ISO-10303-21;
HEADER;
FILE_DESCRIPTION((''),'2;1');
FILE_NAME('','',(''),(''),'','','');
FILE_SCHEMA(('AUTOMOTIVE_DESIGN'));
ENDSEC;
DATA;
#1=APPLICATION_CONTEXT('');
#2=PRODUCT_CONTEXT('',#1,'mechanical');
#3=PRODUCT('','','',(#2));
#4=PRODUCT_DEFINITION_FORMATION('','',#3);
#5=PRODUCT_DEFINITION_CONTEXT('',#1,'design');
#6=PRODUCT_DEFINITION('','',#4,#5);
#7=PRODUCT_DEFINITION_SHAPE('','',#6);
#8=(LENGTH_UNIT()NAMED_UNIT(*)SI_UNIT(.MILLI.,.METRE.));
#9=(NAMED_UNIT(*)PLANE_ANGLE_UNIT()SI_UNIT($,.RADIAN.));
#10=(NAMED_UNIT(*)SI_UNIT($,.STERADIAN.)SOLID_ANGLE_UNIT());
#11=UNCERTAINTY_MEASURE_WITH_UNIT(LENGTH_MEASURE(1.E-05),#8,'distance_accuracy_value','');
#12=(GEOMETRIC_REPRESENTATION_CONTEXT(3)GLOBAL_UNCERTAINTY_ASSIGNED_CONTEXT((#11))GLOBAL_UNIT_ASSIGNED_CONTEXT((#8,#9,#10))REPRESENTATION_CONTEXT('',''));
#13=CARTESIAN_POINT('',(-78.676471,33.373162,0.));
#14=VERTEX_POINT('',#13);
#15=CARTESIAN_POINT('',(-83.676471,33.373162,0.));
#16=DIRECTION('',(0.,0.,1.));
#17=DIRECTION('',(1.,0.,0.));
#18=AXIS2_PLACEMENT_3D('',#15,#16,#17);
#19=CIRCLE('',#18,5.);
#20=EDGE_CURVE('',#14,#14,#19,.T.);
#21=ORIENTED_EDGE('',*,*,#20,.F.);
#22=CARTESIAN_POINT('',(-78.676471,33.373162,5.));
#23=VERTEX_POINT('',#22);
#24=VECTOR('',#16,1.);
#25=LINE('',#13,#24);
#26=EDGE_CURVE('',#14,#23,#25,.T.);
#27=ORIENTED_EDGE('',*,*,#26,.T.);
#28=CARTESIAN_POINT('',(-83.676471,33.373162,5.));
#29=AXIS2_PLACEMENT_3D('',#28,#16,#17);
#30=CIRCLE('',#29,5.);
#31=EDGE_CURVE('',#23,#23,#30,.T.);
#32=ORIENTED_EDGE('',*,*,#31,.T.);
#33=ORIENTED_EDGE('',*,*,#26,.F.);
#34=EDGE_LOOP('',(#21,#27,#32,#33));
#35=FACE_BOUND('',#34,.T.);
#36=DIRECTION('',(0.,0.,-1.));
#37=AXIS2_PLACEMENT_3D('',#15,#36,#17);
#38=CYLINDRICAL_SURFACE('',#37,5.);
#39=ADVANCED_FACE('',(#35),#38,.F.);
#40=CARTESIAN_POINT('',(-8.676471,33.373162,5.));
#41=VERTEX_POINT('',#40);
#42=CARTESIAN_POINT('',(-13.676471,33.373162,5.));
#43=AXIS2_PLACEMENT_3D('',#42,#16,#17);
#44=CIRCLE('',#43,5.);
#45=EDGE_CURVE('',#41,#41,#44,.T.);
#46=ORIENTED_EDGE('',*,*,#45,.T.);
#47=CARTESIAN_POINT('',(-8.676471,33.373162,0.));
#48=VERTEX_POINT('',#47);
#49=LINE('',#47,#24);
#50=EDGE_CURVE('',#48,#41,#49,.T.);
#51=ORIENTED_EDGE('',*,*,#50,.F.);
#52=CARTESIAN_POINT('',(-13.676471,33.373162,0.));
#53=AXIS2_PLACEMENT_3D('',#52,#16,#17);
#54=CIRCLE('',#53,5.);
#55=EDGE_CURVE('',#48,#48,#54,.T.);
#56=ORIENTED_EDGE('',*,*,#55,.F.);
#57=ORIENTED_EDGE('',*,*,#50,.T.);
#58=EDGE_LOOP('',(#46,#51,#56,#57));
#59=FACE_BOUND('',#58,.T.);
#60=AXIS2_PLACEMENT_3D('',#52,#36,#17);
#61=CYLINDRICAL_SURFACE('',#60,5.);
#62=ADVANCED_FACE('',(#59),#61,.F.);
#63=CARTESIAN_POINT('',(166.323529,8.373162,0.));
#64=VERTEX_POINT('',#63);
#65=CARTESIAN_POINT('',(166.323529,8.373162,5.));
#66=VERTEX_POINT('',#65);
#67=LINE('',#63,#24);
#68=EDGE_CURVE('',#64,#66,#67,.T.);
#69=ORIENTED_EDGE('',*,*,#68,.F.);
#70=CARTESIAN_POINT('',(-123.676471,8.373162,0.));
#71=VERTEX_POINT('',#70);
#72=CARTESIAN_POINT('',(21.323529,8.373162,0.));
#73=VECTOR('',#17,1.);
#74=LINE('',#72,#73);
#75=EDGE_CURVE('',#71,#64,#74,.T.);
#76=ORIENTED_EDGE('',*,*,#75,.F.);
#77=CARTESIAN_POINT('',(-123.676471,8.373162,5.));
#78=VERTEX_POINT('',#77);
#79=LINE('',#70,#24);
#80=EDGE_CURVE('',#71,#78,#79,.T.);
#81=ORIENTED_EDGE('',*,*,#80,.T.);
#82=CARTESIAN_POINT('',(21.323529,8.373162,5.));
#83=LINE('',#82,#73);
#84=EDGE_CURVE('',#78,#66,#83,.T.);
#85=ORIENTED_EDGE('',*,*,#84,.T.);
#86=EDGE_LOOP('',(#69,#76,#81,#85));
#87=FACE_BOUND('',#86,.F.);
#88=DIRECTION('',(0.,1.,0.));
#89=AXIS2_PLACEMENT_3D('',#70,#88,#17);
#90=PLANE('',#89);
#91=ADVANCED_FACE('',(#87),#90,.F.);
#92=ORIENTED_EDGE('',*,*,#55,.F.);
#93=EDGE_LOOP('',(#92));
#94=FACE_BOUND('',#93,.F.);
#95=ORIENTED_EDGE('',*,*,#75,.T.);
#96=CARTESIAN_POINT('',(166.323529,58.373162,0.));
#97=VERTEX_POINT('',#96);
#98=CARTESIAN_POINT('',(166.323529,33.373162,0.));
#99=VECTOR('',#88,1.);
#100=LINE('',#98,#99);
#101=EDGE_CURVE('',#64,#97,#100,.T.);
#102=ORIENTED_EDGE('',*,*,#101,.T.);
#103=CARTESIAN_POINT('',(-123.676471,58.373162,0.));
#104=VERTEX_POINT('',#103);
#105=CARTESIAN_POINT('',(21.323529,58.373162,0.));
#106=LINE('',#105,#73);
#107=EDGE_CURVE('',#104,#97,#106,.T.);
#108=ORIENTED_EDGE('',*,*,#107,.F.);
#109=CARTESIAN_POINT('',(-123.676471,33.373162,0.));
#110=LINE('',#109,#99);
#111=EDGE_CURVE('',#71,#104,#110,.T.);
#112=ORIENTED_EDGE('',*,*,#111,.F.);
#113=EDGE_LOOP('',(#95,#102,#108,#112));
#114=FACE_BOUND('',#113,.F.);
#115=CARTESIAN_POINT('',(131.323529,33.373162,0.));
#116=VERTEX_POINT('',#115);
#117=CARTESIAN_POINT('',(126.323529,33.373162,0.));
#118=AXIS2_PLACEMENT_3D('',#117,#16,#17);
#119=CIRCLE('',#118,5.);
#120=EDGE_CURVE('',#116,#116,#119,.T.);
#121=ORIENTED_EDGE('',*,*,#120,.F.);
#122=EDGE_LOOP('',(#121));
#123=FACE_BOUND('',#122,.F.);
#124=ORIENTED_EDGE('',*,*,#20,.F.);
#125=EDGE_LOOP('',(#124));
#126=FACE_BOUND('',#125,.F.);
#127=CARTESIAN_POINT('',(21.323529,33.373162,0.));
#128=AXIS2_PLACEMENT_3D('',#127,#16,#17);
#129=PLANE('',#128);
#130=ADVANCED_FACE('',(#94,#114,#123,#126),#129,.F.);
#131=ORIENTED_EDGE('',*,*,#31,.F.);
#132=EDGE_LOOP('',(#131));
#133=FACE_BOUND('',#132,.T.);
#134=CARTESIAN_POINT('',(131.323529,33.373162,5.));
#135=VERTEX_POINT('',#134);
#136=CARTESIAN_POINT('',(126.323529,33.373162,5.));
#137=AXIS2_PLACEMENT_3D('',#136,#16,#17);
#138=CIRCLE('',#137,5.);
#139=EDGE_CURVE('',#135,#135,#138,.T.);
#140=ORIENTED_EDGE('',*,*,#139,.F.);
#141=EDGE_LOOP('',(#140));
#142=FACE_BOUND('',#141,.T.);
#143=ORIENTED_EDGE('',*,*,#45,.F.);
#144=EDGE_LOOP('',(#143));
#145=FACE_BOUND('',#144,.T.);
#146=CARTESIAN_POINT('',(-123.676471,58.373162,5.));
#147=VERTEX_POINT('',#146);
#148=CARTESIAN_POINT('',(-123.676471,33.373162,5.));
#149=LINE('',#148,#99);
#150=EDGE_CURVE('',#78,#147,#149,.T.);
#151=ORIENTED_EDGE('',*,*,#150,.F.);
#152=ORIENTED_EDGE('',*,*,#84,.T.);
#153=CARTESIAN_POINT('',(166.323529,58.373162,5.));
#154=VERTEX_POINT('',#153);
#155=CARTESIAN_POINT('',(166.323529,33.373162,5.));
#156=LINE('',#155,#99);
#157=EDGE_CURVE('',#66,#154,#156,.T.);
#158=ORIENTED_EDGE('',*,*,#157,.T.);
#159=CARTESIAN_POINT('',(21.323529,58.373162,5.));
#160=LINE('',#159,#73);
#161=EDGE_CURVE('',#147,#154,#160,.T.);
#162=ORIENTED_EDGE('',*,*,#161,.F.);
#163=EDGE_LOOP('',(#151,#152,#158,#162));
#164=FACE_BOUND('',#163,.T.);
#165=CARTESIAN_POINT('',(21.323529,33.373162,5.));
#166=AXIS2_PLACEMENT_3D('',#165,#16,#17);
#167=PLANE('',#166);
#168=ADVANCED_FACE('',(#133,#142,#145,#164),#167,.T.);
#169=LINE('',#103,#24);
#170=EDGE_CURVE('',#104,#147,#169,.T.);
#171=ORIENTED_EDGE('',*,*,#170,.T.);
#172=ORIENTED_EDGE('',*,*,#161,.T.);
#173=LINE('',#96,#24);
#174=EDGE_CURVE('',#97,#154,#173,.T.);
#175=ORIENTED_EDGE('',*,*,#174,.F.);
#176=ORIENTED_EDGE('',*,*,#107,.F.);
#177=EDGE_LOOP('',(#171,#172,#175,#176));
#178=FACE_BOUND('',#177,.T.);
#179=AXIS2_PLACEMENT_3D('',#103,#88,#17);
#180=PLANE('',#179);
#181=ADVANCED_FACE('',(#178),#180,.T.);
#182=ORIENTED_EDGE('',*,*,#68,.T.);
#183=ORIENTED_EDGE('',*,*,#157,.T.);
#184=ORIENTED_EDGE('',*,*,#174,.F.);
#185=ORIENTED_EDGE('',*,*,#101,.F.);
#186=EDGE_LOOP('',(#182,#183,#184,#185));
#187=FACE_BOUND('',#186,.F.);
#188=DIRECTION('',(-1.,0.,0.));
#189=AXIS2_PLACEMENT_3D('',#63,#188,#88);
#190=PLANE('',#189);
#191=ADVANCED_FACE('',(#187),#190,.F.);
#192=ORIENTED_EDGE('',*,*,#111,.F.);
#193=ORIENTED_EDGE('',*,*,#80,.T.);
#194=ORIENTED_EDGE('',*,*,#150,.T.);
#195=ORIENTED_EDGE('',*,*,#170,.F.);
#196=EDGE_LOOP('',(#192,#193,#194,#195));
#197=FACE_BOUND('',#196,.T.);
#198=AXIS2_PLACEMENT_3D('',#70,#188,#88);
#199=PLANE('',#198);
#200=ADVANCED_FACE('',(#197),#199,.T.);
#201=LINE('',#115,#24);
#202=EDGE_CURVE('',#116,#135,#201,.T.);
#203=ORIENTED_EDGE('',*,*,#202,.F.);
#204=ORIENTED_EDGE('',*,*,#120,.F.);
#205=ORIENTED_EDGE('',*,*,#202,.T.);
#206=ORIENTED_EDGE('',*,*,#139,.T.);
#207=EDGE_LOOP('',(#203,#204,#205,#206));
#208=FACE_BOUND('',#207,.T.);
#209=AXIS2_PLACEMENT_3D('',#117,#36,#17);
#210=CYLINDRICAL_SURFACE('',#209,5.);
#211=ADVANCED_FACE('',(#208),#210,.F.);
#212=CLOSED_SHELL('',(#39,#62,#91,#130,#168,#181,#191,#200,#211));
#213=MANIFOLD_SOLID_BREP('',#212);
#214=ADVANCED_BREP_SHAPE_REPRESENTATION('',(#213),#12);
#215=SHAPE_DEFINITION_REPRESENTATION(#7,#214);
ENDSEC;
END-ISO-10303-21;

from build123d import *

# Parameters (mm, degrees)
SKETCH1_W           = 290
SKETCH1_H           = 50
SKETCH1_R           = 5
BOSS_EXTRUDE1_DEPTH = 5


with BuildPart() as part:
    # Sketch1 → Boss-Extrude1 (new body)
    with BuildSketch(Plane.XY):
        with Locations((21.323529412, 33.373161765)):
            Rectangle(SKETCH1_W, SKETCH1_H)
        with Locations((126.323529412, 33.373161765)):
            Circle(SKETCH1_R, mode=Mode.SUBTRACT)
        with Locations((-13.676470588, 33.373161765)):
            Circle(SKETCH1_R, mode=Mode.SUBTRACT)
        with Locations((-83.676470588, 33.373161765)):
            Circle(SKETCH1_R, mode=Mode.SUBTRACT)
    extrude(amount=BOSS_EXTRUDE1_DEPTH)


solid = part.part
